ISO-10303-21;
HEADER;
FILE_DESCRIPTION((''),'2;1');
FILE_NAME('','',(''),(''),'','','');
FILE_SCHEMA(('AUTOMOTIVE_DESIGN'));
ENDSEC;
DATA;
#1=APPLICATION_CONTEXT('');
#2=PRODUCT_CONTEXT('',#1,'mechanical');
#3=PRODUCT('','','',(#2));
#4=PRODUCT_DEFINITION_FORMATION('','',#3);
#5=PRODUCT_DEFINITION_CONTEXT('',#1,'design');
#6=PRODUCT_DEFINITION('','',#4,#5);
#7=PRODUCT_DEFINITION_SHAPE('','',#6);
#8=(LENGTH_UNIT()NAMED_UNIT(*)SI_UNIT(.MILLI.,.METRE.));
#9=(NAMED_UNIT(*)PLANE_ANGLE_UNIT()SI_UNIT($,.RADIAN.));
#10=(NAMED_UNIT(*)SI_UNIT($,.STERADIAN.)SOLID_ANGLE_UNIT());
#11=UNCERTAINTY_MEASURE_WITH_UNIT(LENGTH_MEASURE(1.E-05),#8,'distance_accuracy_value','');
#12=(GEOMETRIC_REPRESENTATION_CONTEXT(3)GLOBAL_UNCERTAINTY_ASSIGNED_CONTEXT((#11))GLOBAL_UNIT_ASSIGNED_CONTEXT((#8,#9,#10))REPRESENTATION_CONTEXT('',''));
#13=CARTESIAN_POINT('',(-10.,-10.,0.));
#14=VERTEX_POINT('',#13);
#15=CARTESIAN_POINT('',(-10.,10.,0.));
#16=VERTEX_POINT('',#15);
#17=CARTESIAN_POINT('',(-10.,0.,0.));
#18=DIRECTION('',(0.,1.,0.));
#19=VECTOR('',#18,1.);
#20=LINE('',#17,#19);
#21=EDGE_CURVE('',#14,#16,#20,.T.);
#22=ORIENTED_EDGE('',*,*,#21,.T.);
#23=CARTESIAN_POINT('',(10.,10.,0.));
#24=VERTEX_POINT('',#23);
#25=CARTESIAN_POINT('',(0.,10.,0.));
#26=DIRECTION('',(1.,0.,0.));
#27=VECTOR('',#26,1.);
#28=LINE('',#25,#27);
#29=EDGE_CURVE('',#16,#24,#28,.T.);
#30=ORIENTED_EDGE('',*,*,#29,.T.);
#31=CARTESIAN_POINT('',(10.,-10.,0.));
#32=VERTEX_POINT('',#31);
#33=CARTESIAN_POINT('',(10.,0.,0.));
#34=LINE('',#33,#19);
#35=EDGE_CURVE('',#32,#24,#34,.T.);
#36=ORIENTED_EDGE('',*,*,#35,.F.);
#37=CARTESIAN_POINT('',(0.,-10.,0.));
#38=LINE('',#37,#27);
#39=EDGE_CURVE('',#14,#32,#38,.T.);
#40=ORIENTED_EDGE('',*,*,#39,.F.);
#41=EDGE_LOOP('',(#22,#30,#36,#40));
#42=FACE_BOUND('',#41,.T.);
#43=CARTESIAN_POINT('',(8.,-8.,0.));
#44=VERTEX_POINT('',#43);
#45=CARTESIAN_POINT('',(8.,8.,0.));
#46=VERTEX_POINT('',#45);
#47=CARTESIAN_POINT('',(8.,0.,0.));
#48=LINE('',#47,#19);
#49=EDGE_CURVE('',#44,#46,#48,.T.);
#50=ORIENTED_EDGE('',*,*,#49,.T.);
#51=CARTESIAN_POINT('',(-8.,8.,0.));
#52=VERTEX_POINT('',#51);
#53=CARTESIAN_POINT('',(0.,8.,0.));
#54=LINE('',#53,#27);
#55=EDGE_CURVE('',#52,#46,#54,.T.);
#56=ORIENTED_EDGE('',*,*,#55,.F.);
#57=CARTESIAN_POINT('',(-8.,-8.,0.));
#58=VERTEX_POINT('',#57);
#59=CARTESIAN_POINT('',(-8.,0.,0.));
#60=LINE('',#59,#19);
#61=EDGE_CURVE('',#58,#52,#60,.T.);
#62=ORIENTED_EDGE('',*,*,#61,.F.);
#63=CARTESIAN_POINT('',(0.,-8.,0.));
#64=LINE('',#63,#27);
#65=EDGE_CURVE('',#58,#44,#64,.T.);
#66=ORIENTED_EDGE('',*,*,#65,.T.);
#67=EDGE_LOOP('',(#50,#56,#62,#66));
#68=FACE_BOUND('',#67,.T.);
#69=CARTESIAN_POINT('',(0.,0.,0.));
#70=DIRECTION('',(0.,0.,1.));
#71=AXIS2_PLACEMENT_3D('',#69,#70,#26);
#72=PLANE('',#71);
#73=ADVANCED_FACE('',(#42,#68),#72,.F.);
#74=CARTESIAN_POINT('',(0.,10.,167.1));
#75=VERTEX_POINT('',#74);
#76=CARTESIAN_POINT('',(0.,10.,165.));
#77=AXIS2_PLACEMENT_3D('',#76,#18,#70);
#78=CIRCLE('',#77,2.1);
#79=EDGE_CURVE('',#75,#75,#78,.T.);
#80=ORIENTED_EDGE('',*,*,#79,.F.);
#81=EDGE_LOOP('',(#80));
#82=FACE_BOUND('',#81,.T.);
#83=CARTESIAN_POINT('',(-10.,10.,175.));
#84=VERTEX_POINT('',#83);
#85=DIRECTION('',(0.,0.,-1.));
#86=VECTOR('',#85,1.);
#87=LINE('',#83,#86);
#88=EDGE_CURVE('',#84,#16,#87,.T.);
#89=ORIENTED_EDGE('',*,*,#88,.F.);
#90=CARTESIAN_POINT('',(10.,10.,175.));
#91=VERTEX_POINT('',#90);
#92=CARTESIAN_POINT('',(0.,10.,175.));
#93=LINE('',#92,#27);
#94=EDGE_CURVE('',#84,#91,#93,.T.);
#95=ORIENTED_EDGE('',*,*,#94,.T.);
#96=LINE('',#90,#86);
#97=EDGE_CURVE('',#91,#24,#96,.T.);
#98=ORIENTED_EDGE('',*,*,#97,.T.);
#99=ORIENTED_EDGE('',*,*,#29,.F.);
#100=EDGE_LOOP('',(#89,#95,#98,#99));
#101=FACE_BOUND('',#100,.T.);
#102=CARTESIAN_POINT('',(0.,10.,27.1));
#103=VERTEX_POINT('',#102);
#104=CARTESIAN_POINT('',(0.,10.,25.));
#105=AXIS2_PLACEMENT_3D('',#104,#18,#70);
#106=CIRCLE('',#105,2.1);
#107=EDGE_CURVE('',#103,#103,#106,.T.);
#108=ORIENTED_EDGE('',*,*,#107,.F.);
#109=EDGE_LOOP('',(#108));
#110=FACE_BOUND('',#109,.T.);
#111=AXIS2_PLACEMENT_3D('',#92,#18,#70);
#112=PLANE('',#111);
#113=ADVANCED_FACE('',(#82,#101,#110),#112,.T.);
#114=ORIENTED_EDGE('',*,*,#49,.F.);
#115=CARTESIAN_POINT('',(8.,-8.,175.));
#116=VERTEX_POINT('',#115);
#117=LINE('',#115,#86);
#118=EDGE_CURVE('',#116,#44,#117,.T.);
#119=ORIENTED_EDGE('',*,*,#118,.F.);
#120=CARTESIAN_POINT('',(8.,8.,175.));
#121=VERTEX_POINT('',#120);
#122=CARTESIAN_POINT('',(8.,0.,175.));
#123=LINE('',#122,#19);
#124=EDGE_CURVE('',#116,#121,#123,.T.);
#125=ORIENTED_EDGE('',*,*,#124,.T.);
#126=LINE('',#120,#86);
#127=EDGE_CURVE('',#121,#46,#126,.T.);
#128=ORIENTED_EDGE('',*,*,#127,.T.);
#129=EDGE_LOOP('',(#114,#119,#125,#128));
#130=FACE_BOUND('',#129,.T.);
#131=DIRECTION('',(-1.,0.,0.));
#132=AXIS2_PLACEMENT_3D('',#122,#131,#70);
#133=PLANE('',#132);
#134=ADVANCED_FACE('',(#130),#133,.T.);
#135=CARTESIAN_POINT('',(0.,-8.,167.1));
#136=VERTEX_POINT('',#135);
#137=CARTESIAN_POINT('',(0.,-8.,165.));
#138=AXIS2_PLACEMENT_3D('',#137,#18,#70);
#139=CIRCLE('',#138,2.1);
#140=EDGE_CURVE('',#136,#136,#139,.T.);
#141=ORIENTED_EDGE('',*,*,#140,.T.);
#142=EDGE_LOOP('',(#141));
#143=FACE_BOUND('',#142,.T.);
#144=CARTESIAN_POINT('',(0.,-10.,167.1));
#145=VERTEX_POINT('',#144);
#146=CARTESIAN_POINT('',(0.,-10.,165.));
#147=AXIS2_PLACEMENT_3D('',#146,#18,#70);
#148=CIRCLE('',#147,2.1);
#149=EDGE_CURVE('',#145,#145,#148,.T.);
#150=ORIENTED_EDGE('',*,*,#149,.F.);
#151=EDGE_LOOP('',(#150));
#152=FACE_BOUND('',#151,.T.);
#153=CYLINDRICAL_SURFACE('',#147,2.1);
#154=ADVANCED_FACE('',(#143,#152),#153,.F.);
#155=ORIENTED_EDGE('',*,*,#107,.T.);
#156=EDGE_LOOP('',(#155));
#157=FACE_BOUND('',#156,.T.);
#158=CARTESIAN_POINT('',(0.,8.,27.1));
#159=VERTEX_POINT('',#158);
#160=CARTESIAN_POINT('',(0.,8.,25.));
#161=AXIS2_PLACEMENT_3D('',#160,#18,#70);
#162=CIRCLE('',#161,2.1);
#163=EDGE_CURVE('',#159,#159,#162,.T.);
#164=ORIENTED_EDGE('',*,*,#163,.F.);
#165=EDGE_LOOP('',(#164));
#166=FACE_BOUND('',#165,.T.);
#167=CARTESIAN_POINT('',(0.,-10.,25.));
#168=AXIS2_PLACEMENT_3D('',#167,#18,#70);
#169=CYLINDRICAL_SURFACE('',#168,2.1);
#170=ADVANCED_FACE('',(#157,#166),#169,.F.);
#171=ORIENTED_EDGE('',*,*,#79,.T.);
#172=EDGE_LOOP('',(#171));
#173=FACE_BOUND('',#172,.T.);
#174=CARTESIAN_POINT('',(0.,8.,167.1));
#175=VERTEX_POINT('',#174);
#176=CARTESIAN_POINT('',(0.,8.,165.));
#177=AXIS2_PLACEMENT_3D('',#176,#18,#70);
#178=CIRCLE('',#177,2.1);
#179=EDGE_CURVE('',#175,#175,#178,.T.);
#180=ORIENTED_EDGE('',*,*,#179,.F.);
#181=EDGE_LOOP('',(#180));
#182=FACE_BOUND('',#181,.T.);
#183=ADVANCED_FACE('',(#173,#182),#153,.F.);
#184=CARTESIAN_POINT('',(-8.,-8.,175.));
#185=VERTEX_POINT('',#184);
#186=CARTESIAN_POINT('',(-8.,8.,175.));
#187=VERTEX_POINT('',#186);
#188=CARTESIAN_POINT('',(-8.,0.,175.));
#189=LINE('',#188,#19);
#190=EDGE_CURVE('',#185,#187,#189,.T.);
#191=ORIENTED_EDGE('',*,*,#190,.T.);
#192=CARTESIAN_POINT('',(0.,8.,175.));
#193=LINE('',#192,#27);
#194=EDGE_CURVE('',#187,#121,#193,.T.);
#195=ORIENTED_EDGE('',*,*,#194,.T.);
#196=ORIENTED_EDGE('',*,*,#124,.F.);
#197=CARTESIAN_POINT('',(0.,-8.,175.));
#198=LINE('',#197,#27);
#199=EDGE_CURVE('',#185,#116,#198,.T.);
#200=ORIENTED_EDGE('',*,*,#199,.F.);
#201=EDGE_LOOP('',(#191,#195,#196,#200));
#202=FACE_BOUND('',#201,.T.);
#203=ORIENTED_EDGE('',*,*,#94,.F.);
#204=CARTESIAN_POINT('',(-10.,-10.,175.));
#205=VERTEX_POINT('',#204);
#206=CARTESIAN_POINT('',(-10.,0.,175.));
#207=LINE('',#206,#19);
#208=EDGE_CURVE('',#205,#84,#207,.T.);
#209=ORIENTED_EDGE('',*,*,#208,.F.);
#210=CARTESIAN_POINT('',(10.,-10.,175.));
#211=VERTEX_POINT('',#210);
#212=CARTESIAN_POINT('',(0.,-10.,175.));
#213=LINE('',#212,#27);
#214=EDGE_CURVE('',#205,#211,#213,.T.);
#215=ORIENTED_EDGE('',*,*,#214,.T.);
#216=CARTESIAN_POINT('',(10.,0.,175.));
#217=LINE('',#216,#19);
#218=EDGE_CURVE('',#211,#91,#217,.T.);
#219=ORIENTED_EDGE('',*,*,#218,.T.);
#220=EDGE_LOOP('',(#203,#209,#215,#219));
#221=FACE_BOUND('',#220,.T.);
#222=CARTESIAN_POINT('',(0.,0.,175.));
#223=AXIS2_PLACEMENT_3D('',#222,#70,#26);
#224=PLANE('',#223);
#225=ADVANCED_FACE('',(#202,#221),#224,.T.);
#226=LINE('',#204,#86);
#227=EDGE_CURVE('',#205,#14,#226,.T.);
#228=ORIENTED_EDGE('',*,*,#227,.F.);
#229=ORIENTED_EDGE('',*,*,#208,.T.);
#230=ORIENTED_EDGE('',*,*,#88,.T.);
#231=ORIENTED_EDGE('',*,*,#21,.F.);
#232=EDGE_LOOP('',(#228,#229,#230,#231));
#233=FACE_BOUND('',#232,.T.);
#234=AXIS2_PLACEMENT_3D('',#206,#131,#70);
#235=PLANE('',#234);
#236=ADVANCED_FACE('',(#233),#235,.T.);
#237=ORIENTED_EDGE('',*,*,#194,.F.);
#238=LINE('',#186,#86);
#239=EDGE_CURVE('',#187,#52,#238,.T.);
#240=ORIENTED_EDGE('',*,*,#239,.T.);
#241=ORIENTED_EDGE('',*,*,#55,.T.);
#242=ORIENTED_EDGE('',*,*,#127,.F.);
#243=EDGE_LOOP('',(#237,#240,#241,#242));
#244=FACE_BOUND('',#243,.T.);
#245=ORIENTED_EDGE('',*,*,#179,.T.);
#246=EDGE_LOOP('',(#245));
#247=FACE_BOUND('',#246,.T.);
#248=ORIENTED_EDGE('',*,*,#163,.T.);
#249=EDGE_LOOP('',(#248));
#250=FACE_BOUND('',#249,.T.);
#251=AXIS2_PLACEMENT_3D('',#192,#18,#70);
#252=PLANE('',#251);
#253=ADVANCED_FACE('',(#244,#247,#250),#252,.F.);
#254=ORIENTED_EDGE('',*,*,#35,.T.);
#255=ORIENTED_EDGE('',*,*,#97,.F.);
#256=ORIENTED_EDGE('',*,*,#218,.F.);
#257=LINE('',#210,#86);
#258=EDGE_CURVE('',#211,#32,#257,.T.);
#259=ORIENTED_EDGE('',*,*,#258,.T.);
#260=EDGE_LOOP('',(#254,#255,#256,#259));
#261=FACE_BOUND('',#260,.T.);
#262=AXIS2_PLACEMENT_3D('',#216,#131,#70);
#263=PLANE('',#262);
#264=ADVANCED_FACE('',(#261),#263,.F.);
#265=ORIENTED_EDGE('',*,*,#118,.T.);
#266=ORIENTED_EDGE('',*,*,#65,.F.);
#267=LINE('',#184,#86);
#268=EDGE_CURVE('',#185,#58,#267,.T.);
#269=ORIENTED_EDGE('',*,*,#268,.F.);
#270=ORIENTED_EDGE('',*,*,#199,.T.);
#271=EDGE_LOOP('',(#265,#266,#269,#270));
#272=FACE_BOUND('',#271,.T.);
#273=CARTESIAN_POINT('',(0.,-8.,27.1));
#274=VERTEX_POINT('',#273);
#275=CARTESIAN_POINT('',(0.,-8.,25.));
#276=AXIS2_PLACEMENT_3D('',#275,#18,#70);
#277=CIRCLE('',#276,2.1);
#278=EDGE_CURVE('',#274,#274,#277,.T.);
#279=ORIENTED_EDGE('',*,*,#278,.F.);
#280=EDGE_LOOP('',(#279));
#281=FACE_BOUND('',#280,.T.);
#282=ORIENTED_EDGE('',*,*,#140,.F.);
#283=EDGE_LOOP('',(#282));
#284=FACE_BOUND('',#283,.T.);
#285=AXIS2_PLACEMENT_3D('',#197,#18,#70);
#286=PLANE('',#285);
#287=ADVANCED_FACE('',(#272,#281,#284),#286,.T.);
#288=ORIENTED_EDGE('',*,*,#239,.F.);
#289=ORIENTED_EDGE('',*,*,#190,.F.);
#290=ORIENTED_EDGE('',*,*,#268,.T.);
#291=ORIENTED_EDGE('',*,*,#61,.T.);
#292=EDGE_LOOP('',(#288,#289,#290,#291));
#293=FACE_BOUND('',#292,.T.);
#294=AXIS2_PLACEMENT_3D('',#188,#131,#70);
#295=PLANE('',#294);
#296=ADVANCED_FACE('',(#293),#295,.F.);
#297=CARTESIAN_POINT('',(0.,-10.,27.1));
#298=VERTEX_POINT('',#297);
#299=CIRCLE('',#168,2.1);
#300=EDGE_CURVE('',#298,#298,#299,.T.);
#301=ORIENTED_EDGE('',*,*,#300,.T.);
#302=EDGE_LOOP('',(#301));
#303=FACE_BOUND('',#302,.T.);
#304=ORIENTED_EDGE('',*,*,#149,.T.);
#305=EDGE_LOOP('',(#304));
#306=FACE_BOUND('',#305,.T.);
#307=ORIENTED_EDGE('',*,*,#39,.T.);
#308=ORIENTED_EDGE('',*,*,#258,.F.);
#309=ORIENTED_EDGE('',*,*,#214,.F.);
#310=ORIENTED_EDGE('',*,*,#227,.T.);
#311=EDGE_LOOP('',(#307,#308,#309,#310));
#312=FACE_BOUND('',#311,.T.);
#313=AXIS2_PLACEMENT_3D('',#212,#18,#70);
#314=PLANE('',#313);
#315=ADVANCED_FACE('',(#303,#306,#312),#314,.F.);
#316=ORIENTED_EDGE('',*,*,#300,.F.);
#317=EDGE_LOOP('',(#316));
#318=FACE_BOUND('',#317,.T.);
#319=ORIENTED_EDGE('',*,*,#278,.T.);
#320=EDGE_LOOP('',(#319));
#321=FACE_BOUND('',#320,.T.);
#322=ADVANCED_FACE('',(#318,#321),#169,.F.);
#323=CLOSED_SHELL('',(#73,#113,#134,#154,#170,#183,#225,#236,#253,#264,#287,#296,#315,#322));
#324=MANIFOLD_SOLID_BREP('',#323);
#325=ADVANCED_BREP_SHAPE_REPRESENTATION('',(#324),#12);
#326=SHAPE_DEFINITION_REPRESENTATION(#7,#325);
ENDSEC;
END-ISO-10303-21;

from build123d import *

# Parameters (mm, degrees)
SKETCH_1_W          = 20
SKETCH_1_H          = 20
SKETCH_1_W_2        = 16
SKETCH_1_H_2        = 16
EXTRUDE_1_DEPTH     = 175
SKETCH_2_R          = 2.1
CUT_EXTRUDE_1_DEPTH = 177.422787644


with BuildPart() as part:
    # 草图1 → 凸台-拉伸1 (new body)
    with BuildSketch(Plane.XY):
        Rectangle(SKETCH_1_W, SKETCH_1_H)
        Rectangle(SKETCH_1_W_2, SKETCH_1_H_2, mode=Mode.SUBTRACT)
    extrude(amount=EXTRUDE_1_DEPTH)

    # 草图2 → 切除-拉伸1 (cut, through all)
    with BuildSketch(Plane(origin=(0, 10, 0), x_dir=(1, 0, 0), z_dir=(0, 1, 0))):
        with Locations(Location((0, -165, 0), (0, 0, 270))):
            Circle(SKETCH_2_R)
        with Locations(Location((0, -25, 0), (0, 0, 270))):
            Circle(SKETCH_2_R)
    extrude(amount=-CUT_EXTRUDE_1_DEPTH, mode=Mode.SUBTRACT)


solid = part.part
